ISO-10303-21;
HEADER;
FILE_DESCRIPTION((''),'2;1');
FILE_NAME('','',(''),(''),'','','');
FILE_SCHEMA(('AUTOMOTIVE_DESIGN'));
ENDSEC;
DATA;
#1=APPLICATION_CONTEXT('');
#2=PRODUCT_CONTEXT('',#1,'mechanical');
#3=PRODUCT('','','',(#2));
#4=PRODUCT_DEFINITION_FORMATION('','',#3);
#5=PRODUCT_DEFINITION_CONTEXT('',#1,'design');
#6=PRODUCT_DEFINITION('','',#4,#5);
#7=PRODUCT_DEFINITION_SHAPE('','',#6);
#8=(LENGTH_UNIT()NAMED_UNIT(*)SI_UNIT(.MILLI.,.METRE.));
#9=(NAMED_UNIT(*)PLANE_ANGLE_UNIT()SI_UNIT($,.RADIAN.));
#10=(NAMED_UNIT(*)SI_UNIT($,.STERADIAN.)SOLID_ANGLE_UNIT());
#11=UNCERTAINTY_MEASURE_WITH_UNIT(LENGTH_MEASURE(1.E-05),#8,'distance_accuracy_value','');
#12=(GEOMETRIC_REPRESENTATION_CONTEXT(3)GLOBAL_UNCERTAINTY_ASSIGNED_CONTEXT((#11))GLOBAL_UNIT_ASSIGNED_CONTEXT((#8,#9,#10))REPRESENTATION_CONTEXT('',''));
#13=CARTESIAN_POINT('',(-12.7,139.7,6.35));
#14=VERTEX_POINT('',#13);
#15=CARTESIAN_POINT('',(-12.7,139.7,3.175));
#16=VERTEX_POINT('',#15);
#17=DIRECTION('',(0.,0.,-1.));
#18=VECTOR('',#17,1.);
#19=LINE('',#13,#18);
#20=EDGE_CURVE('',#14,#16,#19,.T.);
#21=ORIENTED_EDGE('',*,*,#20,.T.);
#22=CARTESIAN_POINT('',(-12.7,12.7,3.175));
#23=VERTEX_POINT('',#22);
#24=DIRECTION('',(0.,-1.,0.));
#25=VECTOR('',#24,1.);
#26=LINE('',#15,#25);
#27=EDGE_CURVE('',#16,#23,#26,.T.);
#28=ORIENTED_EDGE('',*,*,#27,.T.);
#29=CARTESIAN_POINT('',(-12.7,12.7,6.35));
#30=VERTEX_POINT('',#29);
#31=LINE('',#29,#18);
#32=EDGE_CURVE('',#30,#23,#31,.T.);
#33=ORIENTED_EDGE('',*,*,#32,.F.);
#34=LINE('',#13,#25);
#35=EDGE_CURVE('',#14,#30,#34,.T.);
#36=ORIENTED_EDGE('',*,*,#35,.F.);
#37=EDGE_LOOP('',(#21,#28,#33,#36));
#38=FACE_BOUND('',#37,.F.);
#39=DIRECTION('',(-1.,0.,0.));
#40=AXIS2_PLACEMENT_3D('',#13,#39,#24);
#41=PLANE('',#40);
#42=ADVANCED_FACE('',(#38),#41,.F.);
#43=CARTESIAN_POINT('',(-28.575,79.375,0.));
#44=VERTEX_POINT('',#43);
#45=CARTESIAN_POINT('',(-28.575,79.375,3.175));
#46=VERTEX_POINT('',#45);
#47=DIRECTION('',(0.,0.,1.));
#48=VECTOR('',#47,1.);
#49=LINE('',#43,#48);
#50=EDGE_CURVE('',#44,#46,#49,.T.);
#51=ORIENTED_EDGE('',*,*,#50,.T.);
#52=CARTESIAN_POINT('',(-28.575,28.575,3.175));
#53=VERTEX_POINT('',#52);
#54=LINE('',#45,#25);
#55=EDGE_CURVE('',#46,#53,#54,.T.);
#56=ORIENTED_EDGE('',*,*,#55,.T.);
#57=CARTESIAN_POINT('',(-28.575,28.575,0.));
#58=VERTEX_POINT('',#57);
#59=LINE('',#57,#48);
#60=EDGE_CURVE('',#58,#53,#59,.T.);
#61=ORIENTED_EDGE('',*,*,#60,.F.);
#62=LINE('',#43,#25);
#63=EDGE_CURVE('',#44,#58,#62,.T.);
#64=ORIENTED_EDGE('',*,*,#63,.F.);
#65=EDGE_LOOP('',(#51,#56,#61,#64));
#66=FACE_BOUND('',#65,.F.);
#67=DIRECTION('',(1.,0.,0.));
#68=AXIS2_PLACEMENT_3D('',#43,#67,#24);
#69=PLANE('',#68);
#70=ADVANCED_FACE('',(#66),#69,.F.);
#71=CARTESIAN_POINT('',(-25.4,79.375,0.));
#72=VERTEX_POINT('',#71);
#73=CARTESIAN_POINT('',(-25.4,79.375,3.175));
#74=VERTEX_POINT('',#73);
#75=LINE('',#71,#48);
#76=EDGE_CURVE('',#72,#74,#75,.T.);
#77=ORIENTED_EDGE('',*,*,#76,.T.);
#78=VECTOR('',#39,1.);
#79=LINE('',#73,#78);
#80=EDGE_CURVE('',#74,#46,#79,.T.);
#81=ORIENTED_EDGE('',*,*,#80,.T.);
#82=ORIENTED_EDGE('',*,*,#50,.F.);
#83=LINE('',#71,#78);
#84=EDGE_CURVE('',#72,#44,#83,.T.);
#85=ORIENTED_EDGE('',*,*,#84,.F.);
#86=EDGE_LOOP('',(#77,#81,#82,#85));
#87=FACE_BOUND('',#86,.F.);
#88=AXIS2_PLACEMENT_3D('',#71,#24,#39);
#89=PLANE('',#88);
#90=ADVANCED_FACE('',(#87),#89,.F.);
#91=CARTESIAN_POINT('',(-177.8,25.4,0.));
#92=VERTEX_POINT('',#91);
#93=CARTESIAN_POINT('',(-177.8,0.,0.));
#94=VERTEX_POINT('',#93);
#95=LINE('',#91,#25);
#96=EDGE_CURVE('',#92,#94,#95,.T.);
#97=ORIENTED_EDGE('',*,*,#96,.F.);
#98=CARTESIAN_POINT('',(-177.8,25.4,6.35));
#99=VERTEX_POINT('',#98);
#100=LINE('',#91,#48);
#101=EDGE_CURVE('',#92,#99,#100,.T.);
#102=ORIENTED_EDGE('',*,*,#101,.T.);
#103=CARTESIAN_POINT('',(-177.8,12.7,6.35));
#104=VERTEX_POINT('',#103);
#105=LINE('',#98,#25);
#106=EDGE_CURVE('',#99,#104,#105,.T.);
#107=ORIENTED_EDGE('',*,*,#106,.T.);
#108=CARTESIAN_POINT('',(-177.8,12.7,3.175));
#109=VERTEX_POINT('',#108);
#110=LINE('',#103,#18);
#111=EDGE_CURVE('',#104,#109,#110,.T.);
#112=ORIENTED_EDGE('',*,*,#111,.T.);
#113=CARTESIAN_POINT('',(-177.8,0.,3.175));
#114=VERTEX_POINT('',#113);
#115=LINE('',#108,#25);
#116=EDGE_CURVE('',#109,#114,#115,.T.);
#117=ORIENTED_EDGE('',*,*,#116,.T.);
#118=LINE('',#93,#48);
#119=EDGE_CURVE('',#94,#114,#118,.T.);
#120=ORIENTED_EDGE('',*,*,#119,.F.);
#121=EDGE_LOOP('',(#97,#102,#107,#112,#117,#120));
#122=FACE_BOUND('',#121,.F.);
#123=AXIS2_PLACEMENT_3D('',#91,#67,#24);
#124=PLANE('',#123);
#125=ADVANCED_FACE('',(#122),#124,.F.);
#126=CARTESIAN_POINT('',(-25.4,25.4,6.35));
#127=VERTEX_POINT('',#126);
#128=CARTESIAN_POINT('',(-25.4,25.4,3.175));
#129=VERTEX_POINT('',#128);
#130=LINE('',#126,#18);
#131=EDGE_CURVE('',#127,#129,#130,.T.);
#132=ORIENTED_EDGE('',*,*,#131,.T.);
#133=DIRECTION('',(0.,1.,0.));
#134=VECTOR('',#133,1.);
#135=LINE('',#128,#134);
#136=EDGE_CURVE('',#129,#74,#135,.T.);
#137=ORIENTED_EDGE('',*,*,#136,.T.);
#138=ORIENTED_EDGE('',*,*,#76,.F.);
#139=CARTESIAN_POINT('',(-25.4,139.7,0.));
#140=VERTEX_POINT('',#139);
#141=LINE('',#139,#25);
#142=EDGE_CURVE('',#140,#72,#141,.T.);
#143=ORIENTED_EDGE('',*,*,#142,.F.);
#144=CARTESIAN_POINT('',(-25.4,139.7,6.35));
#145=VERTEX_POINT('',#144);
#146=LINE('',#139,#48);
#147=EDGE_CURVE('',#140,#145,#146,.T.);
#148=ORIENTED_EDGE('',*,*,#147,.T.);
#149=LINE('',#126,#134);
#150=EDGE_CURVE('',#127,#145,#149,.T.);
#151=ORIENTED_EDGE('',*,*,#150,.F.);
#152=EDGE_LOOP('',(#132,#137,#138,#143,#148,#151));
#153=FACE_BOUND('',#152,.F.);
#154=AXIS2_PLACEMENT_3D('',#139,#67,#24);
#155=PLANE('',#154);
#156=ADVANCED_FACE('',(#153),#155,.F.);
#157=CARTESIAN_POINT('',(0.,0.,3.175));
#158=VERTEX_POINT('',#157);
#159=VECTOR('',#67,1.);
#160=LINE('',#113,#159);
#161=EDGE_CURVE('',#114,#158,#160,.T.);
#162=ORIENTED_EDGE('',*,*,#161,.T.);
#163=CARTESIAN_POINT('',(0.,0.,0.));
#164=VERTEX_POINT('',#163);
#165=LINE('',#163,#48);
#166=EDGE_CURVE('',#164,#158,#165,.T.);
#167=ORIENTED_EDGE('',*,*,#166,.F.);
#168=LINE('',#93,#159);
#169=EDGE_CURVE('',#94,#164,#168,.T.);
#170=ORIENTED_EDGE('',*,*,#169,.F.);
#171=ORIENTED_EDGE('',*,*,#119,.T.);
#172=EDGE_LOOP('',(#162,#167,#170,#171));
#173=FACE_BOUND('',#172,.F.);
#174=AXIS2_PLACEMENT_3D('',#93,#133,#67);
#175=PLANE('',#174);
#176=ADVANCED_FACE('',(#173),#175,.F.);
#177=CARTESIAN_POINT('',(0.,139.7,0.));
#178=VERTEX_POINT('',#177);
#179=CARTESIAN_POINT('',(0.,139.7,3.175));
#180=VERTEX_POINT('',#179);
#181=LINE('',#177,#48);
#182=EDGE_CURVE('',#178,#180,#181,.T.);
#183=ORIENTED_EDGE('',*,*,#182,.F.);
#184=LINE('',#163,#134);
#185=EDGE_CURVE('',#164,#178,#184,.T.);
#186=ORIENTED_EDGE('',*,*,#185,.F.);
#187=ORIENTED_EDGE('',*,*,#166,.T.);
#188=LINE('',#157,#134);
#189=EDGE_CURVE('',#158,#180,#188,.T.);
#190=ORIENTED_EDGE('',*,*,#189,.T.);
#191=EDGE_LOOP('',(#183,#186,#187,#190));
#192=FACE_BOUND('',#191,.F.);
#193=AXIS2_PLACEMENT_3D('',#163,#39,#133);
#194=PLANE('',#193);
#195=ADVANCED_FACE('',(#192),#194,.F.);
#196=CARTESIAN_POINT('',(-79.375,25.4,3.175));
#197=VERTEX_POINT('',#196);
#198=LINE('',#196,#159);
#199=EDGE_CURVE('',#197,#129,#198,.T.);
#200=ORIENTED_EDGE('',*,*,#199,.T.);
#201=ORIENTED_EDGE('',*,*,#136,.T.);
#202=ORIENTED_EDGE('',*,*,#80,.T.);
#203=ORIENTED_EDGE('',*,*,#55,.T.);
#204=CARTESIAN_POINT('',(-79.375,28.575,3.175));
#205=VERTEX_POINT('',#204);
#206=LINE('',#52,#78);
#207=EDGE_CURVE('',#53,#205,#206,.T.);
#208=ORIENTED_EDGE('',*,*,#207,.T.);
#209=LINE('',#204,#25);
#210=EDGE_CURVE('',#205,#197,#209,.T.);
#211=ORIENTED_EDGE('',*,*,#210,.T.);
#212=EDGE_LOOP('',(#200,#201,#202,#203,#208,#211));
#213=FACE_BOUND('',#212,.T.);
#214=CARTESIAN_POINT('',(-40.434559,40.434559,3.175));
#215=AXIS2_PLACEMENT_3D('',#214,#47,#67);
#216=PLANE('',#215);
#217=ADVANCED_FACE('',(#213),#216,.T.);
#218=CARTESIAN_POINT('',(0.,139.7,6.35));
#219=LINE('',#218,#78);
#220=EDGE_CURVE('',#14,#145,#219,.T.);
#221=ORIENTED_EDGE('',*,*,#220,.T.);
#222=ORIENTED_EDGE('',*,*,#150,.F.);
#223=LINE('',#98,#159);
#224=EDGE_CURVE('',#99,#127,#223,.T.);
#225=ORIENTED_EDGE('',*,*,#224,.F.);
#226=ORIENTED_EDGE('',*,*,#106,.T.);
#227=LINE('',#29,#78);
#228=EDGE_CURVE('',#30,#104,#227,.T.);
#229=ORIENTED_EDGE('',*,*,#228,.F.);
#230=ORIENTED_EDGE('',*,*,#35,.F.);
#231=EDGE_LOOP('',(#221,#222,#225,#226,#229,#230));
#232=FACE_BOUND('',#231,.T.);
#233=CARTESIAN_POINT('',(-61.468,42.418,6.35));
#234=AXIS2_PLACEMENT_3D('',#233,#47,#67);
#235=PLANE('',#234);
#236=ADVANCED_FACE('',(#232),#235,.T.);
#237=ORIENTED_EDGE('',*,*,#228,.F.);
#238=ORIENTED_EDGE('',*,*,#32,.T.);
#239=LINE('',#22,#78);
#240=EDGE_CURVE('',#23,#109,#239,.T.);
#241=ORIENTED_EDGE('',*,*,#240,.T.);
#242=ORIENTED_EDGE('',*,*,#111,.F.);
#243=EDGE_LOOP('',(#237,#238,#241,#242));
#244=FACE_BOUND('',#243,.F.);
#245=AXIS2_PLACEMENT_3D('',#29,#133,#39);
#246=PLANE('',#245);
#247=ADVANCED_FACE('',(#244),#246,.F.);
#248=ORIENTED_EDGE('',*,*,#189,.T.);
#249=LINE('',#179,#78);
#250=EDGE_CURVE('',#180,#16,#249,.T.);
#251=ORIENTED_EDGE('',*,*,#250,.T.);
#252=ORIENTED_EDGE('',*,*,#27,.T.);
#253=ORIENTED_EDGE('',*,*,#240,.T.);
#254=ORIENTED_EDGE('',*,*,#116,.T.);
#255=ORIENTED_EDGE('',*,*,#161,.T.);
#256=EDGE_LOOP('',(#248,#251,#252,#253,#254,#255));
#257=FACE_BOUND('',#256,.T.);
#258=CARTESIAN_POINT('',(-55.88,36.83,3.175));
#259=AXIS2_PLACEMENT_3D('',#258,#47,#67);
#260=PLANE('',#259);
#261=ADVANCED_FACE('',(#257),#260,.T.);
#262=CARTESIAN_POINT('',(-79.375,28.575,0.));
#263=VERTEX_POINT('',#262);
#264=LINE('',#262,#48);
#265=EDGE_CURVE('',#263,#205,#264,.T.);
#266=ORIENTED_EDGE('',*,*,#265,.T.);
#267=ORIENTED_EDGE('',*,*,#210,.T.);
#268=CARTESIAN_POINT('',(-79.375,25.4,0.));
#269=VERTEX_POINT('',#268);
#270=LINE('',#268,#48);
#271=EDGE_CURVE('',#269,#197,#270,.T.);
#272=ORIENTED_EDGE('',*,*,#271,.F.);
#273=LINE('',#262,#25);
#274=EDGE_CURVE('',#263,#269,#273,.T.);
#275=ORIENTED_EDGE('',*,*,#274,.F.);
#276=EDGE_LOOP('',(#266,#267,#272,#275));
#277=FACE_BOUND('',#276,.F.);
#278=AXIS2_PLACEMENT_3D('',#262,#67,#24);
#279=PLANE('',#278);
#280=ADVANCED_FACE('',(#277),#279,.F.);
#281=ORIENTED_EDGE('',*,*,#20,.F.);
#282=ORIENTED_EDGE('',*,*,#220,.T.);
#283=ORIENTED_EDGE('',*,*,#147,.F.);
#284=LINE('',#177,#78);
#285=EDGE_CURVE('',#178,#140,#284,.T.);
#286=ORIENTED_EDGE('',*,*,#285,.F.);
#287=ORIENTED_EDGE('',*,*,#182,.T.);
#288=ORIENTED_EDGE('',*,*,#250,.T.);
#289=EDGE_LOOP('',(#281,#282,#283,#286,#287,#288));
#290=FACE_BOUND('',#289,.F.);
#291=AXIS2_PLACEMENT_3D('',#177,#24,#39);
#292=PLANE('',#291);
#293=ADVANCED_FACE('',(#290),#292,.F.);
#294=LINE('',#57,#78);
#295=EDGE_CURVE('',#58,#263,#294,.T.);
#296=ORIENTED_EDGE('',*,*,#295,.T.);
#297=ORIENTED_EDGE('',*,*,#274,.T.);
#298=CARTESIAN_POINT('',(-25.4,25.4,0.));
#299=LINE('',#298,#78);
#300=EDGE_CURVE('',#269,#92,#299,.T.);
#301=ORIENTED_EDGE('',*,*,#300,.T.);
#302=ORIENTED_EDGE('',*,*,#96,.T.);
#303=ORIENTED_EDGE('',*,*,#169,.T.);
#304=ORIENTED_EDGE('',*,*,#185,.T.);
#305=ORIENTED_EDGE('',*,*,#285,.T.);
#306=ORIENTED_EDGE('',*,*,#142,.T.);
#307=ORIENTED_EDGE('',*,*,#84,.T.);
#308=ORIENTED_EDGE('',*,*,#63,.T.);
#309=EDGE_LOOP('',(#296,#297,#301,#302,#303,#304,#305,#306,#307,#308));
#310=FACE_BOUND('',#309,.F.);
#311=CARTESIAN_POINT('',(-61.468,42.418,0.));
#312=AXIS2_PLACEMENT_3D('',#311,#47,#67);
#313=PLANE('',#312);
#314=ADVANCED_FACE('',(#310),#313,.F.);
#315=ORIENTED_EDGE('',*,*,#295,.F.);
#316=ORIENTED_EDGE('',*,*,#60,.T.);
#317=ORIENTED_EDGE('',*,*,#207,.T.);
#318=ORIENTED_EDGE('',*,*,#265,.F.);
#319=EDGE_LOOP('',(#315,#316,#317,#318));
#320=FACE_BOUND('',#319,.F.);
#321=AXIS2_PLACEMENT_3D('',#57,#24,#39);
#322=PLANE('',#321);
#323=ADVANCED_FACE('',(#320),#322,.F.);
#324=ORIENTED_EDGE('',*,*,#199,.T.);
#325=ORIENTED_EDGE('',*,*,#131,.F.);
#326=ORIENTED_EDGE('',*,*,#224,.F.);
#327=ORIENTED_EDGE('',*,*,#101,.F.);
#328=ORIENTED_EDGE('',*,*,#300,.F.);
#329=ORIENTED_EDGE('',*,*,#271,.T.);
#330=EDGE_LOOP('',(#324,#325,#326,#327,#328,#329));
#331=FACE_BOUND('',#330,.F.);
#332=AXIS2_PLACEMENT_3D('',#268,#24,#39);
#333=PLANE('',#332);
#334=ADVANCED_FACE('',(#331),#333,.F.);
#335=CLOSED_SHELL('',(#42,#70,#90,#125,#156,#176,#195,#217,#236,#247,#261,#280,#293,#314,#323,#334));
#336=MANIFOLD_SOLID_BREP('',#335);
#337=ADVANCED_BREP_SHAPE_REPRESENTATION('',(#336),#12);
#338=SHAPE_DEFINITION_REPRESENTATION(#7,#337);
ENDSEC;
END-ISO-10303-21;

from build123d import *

# Parameters (mm, degrees)
F1_DEPTH = 6.35
F3_DEPTH = 3.175
F5_DEPTH = 3.175


with BuildPart() as f1:
    # F0 (on Top) → F1 (new body)
    with BuildSketch(Plane.XY):
        Polygon((-177.8, 0), (0, 0), (0, 139.7), (-25.4, 139.7), (-25.4, 79.375), (-25.4, 25.4), (-79.375, 25.4), (-177.8, 25.4), align=None)
        Polygon((-79.375, 28.575), (-79.375, 25.4), (-25.4, 25.4), (-25.4, 79.375), (-28.575, 79.375), (-28.575, 28.575), align=None)
    extrude(amount=F1_DEPTH)

    # F2 (on face) → F3 (cut)
    with BuildSketch(Plane.XY.offset(6.35)):
        Polygon((0, 139.7), (-12.7, 139.7), (-12.7, 12.7), (-177.8, 12.7), (-177.8, 0), (-12.7, 0), (0, 0), (0, 12.7), align=None)
    extrude(amount=-F3_DEPTH, mode=Mode.SUBTRACT)

    # F4 (on face) → F5 (cut)
    with BuildSketch(Plane.XY.offset(6.35)):
        Polygon((-28.575, 28.575), (-79.375, 28.575), (-79.375, 25.4), (-25.4, 25.4), (-25.4, 79.375), (-28.575, 79.375), align=None)
    extrude(amount=-F5_DEPTH, mode=Mode.SUBTRACT)


solid = f1.part
